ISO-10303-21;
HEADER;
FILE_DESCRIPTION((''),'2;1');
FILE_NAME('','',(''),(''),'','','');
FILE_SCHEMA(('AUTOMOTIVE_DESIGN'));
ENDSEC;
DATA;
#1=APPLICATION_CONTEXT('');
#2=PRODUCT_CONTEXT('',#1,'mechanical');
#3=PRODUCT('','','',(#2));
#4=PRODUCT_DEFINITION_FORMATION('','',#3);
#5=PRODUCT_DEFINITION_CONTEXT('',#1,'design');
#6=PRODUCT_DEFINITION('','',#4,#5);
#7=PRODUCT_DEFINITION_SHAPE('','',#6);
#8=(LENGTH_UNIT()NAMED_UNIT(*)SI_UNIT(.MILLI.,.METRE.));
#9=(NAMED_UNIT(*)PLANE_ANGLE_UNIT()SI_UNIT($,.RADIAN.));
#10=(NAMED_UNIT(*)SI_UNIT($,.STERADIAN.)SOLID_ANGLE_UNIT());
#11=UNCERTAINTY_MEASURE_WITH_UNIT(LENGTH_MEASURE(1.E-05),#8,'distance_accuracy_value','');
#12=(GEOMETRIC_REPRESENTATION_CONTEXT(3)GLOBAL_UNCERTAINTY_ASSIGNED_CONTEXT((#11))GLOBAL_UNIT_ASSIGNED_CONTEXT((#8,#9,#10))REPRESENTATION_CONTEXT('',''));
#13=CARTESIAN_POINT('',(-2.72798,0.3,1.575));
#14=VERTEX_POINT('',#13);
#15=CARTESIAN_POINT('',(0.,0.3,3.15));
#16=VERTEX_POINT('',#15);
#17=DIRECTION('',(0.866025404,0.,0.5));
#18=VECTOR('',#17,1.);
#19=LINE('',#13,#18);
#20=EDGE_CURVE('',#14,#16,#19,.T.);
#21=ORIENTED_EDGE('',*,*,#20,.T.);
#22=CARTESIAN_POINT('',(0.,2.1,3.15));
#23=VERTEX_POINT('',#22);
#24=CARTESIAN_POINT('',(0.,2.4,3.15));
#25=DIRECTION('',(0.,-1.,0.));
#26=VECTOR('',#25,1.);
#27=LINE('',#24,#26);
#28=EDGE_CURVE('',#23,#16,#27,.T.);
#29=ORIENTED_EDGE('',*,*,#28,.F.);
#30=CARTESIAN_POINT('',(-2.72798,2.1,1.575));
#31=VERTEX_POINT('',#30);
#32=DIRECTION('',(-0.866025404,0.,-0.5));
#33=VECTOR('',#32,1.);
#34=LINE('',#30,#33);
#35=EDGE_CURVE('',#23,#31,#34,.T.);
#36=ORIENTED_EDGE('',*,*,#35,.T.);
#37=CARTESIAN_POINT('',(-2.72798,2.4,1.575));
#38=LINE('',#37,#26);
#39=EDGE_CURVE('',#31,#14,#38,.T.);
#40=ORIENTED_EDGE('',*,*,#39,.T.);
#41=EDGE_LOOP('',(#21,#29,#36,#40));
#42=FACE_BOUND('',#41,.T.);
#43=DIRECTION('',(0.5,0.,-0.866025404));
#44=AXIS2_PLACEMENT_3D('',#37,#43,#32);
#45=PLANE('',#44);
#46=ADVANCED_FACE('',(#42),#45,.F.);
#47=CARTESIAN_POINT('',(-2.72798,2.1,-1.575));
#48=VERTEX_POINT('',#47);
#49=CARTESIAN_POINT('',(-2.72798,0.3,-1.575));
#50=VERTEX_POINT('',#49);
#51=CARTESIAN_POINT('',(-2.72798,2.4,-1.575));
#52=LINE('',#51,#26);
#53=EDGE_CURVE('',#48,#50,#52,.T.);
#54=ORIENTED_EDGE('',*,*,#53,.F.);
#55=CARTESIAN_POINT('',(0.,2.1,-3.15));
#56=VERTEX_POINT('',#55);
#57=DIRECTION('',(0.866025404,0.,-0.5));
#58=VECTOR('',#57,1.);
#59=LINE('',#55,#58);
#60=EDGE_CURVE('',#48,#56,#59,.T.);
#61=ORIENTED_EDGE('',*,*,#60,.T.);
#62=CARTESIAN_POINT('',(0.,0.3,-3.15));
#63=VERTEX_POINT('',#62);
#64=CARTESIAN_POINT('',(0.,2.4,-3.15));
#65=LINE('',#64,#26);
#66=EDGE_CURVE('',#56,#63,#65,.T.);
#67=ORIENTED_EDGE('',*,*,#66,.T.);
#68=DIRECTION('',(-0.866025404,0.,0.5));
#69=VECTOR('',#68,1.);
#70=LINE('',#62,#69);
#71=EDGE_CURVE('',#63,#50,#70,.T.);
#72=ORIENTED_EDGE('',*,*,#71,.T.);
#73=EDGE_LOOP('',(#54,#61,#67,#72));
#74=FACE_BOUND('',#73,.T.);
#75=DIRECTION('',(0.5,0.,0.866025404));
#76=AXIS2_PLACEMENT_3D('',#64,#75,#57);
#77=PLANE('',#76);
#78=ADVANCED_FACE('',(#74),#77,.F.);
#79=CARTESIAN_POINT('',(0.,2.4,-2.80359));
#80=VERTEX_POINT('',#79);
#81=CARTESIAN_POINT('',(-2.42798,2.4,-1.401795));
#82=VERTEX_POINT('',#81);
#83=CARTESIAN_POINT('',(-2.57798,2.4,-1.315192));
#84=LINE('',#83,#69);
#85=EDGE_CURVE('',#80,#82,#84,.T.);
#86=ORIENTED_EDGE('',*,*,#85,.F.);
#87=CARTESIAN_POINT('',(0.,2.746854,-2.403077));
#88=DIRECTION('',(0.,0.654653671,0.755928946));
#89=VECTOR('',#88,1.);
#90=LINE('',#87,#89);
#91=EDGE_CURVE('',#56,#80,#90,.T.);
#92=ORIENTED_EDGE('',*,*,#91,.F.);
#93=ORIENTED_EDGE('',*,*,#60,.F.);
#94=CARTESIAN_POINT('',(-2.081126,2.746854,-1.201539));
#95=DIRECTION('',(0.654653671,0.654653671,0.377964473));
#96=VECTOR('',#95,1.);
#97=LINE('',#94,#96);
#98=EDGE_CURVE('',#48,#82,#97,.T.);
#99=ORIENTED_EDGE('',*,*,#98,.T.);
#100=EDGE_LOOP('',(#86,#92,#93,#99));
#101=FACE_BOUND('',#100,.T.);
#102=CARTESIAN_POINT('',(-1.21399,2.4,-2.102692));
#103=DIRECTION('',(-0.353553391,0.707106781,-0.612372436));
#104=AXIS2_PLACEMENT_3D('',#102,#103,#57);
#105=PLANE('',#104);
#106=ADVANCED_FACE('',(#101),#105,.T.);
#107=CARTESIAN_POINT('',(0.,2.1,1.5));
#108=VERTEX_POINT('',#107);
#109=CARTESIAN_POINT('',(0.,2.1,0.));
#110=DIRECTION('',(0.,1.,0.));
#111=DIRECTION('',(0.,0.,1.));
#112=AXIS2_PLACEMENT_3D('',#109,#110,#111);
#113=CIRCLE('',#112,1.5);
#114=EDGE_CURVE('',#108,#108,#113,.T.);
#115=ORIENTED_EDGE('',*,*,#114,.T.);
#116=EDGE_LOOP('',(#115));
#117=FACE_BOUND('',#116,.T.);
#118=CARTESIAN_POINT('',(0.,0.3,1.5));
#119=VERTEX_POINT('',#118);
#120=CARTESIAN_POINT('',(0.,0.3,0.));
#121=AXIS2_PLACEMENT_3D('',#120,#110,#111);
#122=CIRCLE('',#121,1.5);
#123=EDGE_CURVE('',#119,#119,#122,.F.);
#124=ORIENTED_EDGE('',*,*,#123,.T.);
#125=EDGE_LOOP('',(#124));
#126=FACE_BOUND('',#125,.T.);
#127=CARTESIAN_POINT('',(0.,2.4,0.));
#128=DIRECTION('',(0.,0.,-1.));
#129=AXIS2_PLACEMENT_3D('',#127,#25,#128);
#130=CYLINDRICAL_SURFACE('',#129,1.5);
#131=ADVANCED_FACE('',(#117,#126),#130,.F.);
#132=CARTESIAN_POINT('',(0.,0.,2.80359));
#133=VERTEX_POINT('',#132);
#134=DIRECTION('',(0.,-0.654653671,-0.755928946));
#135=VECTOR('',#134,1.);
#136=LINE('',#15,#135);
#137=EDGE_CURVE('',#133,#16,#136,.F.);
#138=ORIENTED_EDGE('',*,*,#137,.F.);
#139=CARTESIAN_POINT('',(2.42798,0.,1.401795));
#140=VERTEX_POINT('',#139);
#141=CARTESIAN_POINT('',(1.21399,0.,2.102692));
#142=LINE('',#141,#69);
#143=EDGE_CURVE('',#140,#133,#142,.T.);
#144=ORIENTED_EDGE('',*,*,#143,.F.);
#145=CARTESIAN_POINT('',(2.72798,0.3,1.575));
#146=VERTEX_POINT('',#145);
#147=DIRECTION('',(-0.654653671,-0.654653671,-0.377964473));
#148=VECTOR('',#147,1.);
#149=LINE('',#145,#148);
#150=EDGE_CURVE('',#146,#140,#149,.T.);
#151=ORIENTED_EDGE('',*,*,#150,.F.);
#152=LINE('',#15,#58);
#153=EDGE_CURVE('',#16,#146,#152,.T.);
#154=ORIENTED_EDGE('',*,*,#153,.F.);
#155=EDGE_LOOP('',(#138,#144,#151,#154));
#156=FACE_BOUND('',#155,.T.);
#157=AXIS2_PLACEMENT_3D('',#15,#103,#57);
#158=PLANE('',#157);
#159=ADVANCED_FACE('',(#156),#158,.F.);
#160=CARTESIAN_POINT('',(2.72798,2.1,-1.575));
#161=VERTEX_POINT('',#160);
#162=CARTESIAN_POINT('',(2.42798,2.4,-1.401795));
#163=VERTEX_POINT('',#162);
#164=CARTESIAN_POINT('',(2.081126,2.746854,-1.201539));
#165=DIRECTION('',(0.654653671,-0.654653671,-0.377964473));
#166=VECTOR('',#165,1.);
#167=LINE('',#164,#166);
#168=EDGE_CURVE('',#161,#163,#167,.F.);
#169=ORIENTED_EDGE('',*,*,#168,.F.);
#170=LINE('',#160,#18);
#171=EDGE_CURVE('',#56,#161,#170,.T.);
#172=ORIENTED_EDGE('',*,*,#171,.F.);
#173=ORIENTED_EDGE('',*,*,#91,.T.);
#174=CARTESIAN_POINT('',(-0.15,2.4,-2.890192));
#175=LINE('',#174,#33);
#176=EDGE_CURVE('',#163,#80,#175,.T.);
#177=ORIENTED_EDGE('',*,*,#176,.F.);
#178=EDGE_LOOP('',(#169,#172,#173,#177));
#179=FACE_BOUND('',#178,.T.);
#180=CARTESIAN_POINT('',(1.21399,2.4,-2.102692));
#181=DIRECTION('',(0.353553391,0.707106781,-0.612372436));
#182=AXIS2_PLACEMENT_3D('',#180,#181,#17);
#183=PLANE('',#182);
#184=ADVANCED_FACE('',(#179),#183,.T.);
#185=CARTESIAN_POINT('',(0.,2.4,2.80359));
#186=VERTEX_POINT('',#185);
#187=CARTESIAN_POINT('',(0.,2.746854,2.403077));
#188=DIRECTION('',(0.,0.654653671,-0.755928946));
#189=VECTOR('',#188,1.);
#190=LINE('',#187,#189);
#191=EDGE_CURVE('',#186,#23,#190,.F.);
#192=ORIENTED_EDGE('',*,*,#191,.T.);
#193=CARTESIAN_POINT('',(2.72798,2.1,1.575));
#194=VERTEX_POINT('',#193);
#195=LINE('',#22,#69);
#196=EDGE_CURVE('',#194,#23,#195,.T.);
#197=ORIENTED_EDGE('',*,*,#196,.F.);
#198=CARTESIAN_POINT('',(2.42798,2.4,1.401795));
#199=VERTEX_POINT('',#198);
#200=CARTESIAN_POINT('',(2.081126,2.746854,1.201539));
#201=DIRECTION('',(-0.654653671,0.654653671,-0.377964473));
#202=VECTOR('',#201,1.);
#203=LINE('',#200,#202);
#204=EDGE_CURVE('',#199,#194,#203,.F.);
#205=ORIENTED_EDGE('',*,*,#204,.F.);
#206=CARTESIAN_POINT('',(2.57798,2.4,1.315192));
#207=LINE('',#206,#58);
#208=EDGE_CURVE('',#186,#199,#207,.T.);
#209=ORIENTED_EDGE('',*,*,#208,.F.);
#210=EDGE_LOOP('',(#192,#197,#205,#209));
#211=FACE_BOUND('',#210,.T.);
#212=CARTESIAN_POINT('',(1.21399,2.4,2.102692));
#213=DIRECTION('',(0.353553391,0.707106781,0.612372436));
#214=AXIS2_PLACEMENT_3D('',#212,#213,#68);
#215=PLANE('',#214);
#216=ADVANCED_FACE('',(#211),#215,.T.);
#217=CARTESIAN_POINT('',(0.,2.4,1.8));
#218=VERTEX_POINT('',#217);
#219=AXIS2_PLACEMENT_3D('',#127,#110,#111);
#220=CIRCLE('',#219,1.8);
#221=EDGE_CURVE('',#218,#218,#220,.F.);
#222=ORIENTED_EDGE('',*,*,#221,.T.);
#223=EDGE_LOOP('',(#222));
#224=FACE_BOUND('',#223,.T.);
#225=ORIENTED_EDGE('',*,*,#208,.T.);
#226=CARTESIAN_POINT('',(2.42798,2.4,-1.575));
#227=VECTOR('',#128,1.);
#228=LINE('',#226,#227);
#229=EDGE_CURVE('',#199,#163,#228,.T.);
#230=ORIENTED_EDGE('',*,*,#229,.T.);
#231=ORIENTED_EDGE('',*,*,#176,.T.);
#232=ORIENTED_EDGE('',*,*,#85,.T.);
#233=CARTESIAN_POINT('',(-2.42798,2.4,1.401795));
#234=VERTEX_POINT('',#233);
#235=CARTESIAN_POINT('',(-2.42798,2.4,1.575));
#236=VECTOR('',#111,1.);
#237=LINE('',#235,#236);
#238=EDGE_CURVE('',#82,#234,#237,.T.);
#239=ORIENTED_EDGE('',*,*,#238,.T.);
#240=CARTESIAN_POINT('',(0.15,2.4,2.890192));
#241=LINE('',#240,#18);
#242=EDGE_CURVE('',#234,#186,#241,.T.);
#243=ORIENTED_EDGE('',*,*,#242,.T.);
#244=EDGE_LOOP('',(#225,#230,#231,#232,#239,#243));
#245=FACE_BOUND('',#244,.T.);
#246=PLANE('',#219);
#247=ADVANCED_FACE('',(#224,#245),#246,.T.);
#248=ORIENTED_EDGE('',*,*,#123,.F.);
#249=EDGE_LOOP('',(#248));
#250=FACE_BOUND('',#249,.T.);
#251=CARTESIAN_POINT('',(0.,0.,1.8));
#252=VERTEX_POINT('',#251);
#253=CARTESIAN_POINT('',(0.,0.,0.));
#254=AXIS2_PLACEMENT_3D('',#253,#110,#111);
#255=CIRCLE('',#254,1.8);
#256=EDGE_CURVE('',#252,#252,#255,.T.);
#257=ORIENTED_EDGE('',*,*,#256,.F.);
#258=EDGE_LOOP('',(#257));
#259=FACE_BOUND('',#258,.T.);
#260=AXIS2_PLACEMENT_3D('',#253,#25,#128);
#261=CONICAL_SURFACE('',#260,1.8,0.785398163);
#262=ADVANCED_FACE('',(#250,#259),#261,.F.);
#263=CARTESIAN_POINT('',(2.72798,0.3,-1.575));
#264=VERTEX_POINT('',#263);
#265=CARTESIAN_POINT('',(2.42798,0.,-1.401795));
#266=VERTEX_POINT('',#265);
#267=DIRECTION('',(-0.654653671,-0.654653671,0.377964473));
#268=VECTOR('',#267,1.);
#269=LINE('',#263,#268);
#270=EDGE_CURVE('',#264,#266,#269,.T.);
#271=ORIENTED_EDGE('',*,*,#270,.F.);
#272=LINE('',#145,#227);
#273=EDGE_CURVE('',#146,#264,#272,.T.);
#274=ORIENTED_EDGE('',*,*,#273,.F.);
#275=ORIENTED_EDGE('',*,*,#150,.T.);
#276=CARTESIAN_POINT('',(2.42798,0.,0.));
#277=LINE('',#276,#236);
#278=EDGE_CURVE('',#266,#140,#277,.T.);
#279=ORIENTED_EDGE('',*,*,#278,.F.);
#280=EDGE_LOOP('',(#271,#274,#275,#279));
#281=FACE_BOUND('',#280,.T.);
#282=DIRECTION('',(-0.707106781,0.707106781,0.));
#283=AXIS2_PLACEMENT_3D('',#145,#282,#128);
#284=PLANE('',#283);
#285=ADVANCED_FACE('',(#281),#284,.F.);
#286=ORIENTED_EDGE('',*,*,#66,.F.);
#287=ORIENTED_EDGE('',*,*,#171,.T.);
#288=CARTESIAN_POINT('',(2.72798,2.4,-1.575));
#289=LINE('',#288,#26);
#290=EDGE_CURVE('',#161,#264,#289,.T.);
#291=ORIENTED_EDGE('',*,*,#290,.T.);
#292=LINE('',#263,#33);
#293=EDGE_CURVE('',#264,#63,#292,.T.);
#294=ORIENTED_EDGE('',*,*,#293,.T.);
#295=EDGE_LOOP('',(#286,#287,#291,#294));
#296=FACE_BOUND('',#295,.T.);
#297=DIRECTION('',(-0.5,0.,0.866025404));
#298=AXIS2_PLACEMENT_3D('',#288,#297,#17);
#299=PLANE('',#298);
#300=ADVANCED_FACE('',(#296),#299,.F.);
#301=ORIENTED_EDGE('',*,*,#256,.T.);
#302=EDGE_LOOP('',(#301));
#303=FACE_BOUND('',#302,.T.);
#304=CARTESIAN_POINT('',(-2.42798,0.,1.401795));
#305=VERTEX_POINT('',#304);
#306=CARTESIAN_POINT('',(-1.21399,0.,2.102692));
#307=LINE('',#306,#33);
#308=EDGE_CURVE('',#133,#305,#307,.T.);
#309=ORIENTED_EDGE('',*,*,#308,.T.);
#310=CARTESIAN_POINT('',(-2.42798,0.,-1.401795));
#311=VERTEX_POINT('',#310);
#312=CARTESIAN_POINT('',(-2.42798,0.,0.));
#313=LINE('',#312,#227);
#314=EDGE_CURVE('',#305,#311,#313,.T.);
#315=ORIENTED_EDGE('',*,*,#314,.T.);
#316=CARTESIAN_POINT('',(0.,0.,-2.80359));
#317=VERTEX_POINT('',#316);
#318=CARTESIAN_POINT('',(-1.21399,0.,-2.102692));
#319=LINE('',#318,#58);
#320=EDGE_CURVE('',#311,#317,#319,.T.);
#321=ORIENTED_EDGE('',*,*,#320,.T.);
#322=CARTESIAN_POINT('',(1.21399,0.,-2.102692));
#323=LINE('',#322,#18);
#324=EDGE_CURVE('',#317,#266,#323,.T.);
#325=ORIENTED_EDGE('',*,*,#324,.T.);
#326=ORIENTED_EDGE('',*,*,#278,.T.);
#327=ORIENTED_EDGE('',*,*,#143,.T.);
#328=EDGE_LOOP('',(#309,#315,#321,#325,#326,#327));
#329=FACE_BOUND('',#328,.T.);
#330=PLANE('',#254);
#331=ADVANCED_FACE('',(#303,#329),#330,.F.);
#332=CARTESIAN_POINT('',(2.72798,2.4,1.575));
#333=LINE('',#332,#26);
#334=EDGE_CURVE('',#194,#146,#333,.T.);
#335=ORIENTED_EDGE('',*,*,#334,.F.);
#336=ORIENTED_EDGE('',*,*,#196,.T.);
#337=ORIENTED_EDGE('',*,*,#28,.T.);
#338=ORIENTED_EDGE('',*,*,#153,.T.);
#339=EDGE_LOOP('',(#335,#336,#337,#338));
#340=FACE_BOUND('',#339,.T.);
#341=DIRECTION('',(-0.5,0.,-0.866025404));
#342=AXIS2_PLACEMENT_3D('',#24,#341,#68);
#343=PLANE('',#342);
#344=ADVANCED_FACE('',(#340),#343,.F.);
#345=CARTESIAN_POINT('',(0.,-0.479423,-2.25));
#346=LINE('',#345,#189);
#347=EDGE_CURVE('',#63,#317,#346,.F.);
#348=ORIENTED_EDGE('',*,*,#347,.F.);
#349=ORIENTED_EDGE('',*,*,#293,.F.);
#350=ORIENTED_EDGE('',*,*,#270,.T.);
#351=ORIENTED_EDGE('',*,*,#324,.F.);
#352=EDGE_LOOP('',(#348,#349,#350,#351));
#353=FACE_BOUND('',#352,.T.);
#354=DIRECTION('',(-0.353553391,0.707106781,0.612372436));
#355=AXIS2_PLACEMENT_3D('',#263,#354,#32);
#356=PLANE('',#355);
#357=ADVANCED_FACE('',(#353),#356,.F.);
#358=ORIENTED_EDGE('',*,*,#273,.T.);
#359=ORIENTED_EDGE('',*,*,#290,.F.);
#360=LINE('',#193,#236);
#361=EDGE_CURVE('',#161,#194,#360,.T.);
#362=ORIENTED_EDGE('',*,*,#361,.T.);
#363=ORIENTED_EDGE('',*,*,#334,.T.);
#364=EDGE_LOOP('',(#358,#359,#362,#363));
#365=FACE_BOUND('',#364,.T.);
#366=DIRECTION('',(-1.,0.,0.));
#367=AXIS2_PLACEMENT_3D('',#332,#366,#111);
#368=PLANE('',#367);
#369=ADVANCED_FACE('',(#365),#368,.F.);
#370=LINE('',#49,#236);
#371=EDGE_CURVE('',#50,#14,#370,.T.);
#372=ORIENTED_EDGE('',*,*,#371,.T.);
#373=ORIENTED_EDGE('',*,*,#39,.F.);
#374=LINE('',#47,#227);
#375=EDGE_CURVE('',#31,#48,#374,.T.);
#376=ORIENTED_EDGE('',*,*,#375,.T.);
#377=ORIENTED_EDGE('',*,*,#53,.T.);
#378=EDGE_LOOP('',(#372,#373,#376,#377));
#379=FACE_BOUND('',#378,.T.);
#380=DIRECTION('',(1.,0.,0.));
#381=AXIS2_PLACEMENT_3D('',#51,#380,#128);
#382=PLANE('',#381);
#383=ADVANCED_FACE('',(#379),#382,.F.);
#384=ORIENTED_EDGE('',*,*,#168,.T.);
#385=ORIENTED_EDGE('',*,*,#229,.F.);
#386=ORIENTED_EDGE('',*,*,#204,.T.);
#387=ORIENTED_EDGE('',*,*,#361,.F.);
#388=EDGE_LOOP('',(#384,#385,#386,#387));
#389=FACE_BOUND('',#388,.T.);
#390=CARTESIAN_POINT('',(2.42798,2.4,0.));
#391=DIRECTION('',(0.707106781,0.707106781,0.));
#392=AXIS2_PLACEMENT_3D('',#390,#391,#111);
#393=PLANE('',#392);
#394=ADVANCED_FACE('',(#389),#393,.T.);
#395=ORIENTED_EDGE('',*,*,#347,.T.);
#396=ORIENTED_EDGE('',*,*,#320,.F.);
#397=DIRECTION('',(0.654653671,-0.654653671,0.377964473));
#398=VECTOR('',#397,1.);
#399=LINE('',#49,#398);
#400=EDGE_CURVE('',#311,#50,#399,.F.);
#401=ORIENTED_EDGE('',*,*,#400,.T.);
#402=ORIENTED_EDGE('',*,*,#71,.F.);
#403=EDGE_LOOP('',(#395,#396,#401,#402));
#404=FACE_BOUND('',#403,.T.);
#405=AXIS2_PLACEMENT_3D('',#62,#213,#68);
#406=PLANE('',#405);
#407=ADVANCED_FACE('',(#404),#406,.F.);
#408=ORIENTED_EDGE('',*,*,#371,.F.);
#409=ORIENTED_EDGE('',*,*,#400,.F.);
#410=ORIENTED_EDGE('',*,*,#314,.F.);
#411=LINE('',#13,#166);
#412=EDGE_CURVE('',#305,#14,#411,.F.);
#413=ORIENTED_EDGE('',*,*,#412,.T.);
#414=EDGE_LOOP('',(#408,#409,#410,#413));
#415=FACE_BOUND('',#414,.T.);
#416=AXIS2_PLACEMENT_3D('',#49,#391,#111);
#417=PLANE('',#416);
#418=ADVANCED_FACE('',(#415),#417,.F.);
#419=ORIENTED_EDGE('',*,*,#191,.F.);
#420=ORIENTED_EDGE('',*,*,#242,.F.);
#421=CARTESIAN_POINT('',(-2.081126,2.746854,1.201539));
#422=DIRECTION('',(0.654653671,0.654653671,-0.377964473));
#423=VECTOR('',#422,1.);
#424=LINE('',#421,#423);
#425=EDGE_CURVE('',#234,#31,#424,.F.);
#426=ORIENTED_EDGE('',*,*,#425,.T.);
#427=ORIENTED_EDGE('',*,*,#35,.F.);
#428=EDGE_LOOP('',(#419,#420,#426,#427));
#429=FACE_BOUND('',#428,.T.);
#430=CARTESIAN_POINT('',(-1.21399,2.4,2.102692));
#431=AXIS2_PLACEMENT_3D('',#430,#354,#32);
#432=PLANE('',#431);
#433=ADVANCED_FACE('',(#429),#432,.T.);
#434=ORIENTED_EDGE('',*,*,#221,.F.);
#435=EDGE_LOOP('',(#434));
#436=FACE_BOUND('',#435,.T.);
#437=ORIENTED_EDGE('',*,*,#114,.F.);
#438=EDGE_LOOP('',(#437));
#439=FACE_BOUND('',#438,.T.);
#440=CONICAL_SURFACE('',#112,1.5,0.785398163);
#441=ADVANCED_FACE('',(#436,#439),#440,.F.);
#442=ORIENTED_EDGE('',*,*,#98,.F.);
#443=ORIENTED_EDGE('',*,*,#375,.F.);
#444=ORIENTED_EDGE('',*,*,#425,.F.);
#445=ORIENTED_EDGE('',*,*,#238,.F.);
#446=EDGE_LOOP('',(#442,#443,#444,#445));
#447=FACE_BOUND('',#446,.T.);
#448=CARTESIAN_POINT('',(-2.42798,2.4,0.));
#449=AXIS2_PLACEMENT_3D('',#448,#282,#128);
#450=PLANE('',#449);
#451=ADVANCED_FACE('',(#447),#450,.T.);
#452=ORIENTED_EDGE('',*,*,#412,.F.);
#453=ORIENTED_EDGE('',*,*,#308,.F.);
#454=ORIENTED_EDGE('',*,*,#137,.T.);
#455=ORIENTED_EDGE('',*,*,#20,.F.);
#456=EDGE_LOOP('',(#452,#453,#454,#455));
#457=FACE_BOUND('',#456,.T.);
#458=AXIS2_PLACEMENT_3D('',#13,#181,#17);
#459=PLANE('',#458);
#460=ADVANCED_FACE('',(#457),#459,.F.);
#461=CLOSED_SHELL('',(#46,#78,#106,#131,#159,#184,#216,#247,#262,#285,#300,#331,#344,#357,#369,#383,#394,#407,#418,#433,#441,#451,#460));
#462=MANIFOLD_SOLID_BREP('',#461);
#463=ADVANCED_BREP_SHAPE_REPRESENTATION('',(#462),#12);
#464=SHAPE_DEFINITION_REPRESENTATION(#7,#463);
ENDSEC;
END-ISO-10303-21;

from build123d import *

# Parameters (mm, degrees)
ESQUISSE1_R        = 1.5
BOSS_EXTRU_1_DEPTH = 2.4
CHANFREIN1_SIZE    = 0.3


with BuildPart() as part:
    # Esquisse1 → Boss.-Extru.1 (new body)
    with BuildSketch(Plane(origin=(0, 0, 0), x_dir=(1, 0, 0), z_dir=(0, 1, 0))):
        Polygon((0, 3.15), (-2.727980022, 1.575), (-2.727980022, -1.575), (0, -3.15), (2.727980022, -1.575), (2.727980022, 1.575), align=None)
        with Locations(Location((0, 0, 0), (0, 0, 270))):
            Circle(ESQUISSE1_R, mode=Mode.SUBTRACT)
    extrude(amount=BOSS_EXTRU_1_DEPTH)

    # Chanfrein1
    chanfrein1_edges = [part.edges().sort_by_distance(p)[0] for p in [
        (-2.727980022, 2.4, 0),
        (-1.363990011, 2.4, 2.3625),
        (0, 0, -1.5),
        (0, 2.4, -1.5),
        (1.363990011, 2.4, 2.3625),
        (2.727980022, 2.4, 0),
        (1.363990011, 2.4, -2.3625),
        (2.727980022, 0, 0),
        (1.363990011, 0, 2.3625),
        (-1.363990011, 0, 2.3625),
        (-2.727980022, 0, 0),
        (-1.363990011, 0, -2.3625),
        (1.363990011, 0, -2.3625),
        (-1.363990011, 2.4, -2.3625),
    ]]
    chamfer(chanfrein1_edges, length=CHANFREIN1_SIZE)


solid = part.part
